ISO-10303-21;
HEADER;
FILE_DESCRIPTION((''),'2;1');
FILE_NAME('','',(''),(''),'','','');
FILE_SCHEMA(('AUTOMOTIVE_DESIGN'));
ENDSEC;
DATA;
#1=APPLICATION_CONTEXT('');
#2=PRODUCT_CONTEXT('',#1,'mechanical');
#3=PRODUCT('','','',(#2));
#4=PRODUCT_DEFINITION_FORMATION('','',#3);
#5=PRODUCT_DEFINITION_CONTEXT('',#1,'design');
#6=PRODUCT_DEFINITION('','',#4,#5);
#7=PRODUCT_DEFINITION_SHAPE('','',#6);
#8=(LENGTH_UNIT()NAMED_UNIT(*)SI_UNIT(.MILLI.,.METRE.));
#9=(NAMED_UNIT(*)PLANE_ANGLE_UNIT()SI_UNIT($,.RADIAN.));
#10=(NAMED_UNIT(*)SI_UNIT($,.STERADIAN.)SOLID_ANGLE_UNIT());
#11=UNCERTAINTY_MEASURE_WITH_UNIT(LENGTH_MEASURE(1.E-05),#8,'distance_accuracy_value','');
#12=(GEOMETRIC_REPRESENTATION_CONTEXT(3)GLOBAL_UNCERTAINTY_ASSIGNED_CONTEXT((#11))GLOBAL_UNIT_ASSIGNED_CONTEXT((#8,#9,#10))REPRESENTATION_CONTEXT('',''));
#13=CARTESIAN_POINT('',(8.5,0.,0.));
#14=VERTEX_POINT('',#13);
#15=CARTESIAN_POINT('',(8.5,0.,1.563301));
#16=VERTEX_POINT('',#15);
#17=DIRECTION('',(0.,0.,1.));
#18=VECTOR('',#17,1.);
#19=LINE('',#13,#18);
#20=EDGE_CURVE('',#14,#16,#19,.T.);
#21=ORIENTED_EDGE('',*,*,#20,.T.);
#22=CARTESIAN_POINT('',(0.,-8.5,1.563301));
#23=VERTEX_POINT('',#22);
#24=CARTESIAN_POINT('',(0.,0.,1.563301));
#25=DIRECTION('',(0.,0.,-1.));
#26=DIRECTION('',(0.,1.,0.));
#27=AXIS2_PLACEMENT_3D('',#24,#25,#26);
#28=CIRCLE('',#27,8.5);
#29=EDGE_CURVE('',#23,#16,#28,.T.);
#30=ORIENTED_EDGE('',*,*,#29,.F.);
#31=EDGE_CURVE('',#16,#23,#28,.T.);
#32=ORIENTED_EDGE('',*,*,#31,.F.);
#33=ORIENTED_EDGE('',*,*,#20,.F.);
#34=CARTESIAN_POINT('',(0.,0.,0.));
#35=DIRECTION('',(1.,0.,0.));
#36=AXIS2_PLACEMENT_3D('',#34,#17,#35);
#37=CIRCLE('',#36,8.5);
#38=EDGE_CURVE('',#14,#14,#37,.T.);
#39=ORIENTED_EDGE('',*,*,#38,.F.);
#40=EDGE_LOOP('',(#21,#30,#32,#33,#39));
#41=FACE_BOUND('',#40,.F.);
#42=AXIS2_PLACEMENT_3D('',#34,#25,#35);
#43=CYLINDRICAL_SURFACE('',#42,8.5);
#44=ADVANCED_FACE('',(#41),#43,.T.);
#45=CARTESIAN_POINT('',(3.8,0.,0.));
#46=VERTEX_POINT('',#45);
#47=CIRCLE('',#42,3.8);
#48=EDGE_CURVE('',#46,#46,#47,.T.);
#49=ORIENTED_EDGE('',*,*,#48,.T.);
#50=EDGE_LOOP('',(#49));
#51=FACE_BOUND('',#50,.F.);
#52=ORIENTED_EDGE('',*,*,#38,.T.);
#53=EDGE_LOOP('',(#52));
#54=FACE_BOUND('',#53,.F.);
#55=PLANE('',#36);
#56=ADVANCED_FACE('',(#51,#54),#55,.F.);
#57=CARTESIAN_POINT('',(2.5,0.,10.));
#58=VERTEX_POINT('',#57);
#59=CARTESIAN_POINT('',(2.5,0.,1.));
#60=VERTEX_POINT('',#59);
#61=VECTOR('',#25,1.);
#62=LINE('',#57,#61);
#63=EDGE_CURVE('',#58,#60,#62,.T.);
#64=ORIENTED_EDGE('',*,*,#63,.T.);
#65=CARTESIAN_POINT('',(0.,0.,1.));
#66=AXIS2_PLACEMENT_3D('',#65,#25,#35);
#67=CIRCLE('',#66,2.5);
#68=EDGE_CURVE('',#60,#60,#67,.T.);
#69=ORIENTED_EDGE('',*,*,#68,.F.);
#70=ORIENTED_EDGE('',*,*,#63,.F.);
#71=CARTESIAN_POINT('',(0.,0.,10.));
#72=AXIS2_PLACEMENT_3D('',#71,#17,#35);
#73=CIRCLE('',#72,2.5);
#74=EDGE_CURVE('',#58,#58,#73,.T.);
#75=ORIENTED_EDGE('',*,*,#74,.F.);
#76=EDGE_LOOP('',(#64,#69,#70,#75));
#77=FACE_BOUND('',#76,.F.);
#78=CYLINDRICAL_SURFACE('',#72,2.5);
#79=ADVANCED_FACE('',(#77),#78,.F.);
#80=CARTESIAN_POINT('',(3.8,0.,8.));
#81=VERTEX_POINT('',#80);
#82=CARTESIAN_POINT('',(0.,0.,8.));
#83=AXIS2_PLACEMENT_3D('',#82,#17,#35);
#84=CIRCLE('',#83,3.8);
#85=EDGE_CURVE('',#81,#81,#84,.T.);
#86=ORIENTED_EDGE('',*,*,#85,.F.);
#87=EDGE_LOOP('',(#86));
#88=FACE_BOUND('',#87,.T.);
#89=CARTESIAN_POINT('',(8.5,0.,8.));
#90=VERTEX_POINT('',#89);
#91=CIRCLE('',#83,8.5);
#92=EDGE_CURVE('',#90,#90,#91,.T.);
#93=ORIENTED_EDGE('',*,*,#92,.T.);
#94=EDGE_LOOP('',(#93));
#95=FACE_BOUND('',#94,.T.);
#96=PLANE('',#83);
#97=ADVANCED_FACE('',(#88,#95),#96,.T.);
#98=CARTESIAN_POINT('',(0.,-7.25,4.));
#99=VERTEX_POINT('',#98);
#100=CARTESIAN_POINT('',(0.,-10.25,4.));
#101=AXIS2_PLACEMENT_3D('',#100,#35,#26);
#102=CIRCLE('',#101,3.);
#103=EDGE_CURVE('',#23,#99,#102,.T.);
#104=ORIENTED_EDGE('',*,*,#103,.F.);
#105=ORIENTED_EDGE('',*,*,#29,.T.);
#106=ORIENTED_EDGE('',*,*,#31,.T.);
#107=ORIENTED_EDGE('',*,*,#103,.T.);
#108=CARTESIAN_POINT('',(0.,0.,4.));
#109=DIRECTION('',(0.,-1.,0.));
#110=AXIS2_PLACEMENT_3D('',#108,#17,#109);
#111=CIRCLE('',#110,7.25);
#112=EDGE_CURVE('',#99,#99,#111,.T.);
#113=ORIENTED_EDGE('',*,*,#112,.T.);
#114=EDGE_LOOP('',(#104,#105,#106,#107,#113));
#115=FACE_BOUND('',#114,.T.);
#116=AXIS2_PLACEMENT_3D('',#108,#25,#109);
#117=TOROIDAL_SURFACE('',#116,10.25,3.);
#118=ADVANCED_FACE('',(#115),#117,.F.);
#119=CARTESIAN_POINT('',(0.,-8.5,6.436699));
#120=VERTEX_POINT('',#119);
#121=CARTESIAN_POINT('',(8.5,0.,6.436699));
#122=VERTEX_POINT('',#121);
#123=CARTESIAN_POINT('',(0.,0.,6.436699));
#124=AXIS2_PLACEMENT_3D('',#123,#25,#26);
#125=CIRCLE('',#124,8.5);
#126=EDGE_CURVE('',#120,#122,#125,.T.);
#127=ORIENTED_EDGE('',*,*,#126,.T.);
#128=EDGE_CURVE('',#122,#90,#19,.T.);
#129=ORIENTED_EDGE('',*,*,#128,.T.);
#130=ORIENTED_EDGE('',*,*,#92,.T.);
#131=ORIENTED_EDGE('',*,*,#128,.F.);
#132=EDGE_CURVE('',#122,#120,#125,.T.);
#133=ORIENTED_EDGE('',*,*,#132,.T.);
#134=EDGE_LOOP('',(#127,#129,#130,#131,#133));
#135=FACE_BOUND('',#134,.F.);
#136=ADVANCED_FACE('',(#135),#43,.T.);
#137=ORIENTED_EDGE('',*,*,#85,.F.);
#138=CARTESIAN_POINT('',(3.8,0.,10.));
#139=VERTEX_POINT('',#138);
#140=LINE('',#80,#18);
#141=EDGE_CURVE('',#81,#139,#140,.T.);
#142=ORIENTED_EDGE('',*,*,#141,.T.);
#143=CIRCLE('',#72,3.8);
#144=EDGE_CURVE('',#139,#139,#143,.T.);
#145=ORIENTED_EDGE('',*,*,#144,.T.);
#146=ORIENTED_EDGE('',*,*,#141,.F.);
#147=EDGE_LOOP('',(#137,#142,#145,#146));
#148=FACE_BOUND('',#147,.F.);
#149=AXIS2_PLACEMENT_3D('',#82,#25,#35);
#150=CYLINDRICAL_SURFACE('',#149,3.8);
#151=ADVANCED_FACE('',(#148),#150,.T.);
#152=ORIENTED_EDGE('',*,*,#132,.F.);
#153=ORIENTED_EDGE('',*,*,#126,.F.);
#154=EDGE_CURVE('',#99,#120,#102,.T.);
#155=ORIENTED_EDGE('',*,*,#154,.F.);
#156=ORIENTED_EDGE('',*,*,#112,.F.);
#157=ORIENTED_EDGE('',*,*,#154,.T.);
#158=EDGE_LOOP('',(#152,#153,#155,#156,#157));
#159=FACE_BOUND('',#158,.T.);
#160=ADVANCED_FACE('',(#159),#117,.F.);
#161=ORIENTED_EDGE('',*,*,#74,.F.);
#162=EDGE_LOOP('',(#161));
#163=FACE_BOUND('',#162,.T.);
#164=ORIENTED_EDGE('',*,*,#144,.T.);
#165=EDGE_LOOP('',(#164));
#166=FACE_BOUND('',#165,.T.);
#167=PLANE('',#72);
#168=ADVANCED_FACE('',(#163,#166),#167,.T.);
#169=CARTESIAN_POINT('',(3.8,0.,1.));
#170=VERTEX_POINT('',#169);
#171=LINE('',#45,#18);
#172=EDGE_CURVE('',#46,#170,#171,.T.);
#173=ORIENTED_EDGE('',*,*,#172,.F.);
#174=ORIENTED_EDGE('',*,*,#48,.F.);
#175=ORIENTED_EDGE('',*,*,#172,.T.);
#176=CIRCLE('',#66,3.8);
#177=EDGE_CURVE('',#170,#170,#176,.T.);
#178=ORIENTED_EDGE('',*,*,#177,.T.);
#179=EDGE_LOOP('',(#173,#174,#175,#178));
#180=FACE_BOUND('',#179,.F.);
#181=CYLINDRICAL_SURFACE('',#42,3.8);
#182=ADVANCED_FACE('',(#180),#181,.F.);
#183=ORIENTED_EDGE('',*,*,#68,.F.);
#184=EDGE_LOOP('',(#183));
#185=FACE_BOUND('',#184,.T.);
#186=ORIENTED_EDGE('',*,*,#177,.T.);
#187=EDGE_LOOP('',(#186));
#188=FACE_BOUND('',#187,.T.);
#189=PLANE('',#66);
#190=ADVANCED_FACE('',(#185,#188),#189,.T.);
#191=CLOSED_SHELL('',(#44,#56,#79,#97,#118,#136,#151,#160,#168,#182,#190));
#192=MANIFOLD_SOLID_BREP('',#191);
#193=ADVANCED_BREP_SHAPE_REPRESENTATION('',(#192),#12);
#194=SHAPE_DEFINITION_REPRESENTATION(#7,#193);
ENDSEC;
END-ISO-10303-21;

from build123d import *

# Parameters (mm, degrees)
F0_R     = 8.5
F1_DEPTH = 8
F2_R     = 3.8
F3_DEPTH = 2
F4_R     = 2.5
F5_DEPTH = 10.001
F6_R     = 3
F8_R     = 3.8
F8_R_2   = 2.5
F9_DEPTH = 1


with BuildPart() as f1:
    # F0 (on Top) → F1 (new body)
    with BuildSketch(Plane.XY):
        Circle(F0_R)
    extrude(amount=F1_DEPTH)

    # F2 (on face) → F3 (join)
    with BuildSketch(Plane.XY.offset(8)):
        Circle(F2_R)
    extrude(amount=F3_DEPTH)

    # F4 (on face) → F5 (cut, through all)
    with BuildSketch(Plane.XY.offset(10)):
        Circle(F4_R)
    extrude(amount=-F5_DEPTH, mode=Mode.SUBTRACT)

    # F6 (on Right) → F7 (revolve, cut)
    with BuildSketch(Plane.YZ):
        with Locations((-10.25, 4)):
            Circle(F6_R)
    revolve(axis=Axis((0, 0, 7.899270393), (0, 0, 1)), mode=Mode.SUBTRACT)

    # F8 (on face) → F9 (cut)
    with BuildSketch(Plane(origin=(0, 0, 0), x_dir=(1, 0, 0), z_dir=(0, 0, -1))):
        Circle(F8_R)
        Circle(F8_R_2, mode=Mode.SUBTRACT)
    extrude(amount=-F9_DEPTH, mode=Mode.SUBTRACT)


solid = f1.part
